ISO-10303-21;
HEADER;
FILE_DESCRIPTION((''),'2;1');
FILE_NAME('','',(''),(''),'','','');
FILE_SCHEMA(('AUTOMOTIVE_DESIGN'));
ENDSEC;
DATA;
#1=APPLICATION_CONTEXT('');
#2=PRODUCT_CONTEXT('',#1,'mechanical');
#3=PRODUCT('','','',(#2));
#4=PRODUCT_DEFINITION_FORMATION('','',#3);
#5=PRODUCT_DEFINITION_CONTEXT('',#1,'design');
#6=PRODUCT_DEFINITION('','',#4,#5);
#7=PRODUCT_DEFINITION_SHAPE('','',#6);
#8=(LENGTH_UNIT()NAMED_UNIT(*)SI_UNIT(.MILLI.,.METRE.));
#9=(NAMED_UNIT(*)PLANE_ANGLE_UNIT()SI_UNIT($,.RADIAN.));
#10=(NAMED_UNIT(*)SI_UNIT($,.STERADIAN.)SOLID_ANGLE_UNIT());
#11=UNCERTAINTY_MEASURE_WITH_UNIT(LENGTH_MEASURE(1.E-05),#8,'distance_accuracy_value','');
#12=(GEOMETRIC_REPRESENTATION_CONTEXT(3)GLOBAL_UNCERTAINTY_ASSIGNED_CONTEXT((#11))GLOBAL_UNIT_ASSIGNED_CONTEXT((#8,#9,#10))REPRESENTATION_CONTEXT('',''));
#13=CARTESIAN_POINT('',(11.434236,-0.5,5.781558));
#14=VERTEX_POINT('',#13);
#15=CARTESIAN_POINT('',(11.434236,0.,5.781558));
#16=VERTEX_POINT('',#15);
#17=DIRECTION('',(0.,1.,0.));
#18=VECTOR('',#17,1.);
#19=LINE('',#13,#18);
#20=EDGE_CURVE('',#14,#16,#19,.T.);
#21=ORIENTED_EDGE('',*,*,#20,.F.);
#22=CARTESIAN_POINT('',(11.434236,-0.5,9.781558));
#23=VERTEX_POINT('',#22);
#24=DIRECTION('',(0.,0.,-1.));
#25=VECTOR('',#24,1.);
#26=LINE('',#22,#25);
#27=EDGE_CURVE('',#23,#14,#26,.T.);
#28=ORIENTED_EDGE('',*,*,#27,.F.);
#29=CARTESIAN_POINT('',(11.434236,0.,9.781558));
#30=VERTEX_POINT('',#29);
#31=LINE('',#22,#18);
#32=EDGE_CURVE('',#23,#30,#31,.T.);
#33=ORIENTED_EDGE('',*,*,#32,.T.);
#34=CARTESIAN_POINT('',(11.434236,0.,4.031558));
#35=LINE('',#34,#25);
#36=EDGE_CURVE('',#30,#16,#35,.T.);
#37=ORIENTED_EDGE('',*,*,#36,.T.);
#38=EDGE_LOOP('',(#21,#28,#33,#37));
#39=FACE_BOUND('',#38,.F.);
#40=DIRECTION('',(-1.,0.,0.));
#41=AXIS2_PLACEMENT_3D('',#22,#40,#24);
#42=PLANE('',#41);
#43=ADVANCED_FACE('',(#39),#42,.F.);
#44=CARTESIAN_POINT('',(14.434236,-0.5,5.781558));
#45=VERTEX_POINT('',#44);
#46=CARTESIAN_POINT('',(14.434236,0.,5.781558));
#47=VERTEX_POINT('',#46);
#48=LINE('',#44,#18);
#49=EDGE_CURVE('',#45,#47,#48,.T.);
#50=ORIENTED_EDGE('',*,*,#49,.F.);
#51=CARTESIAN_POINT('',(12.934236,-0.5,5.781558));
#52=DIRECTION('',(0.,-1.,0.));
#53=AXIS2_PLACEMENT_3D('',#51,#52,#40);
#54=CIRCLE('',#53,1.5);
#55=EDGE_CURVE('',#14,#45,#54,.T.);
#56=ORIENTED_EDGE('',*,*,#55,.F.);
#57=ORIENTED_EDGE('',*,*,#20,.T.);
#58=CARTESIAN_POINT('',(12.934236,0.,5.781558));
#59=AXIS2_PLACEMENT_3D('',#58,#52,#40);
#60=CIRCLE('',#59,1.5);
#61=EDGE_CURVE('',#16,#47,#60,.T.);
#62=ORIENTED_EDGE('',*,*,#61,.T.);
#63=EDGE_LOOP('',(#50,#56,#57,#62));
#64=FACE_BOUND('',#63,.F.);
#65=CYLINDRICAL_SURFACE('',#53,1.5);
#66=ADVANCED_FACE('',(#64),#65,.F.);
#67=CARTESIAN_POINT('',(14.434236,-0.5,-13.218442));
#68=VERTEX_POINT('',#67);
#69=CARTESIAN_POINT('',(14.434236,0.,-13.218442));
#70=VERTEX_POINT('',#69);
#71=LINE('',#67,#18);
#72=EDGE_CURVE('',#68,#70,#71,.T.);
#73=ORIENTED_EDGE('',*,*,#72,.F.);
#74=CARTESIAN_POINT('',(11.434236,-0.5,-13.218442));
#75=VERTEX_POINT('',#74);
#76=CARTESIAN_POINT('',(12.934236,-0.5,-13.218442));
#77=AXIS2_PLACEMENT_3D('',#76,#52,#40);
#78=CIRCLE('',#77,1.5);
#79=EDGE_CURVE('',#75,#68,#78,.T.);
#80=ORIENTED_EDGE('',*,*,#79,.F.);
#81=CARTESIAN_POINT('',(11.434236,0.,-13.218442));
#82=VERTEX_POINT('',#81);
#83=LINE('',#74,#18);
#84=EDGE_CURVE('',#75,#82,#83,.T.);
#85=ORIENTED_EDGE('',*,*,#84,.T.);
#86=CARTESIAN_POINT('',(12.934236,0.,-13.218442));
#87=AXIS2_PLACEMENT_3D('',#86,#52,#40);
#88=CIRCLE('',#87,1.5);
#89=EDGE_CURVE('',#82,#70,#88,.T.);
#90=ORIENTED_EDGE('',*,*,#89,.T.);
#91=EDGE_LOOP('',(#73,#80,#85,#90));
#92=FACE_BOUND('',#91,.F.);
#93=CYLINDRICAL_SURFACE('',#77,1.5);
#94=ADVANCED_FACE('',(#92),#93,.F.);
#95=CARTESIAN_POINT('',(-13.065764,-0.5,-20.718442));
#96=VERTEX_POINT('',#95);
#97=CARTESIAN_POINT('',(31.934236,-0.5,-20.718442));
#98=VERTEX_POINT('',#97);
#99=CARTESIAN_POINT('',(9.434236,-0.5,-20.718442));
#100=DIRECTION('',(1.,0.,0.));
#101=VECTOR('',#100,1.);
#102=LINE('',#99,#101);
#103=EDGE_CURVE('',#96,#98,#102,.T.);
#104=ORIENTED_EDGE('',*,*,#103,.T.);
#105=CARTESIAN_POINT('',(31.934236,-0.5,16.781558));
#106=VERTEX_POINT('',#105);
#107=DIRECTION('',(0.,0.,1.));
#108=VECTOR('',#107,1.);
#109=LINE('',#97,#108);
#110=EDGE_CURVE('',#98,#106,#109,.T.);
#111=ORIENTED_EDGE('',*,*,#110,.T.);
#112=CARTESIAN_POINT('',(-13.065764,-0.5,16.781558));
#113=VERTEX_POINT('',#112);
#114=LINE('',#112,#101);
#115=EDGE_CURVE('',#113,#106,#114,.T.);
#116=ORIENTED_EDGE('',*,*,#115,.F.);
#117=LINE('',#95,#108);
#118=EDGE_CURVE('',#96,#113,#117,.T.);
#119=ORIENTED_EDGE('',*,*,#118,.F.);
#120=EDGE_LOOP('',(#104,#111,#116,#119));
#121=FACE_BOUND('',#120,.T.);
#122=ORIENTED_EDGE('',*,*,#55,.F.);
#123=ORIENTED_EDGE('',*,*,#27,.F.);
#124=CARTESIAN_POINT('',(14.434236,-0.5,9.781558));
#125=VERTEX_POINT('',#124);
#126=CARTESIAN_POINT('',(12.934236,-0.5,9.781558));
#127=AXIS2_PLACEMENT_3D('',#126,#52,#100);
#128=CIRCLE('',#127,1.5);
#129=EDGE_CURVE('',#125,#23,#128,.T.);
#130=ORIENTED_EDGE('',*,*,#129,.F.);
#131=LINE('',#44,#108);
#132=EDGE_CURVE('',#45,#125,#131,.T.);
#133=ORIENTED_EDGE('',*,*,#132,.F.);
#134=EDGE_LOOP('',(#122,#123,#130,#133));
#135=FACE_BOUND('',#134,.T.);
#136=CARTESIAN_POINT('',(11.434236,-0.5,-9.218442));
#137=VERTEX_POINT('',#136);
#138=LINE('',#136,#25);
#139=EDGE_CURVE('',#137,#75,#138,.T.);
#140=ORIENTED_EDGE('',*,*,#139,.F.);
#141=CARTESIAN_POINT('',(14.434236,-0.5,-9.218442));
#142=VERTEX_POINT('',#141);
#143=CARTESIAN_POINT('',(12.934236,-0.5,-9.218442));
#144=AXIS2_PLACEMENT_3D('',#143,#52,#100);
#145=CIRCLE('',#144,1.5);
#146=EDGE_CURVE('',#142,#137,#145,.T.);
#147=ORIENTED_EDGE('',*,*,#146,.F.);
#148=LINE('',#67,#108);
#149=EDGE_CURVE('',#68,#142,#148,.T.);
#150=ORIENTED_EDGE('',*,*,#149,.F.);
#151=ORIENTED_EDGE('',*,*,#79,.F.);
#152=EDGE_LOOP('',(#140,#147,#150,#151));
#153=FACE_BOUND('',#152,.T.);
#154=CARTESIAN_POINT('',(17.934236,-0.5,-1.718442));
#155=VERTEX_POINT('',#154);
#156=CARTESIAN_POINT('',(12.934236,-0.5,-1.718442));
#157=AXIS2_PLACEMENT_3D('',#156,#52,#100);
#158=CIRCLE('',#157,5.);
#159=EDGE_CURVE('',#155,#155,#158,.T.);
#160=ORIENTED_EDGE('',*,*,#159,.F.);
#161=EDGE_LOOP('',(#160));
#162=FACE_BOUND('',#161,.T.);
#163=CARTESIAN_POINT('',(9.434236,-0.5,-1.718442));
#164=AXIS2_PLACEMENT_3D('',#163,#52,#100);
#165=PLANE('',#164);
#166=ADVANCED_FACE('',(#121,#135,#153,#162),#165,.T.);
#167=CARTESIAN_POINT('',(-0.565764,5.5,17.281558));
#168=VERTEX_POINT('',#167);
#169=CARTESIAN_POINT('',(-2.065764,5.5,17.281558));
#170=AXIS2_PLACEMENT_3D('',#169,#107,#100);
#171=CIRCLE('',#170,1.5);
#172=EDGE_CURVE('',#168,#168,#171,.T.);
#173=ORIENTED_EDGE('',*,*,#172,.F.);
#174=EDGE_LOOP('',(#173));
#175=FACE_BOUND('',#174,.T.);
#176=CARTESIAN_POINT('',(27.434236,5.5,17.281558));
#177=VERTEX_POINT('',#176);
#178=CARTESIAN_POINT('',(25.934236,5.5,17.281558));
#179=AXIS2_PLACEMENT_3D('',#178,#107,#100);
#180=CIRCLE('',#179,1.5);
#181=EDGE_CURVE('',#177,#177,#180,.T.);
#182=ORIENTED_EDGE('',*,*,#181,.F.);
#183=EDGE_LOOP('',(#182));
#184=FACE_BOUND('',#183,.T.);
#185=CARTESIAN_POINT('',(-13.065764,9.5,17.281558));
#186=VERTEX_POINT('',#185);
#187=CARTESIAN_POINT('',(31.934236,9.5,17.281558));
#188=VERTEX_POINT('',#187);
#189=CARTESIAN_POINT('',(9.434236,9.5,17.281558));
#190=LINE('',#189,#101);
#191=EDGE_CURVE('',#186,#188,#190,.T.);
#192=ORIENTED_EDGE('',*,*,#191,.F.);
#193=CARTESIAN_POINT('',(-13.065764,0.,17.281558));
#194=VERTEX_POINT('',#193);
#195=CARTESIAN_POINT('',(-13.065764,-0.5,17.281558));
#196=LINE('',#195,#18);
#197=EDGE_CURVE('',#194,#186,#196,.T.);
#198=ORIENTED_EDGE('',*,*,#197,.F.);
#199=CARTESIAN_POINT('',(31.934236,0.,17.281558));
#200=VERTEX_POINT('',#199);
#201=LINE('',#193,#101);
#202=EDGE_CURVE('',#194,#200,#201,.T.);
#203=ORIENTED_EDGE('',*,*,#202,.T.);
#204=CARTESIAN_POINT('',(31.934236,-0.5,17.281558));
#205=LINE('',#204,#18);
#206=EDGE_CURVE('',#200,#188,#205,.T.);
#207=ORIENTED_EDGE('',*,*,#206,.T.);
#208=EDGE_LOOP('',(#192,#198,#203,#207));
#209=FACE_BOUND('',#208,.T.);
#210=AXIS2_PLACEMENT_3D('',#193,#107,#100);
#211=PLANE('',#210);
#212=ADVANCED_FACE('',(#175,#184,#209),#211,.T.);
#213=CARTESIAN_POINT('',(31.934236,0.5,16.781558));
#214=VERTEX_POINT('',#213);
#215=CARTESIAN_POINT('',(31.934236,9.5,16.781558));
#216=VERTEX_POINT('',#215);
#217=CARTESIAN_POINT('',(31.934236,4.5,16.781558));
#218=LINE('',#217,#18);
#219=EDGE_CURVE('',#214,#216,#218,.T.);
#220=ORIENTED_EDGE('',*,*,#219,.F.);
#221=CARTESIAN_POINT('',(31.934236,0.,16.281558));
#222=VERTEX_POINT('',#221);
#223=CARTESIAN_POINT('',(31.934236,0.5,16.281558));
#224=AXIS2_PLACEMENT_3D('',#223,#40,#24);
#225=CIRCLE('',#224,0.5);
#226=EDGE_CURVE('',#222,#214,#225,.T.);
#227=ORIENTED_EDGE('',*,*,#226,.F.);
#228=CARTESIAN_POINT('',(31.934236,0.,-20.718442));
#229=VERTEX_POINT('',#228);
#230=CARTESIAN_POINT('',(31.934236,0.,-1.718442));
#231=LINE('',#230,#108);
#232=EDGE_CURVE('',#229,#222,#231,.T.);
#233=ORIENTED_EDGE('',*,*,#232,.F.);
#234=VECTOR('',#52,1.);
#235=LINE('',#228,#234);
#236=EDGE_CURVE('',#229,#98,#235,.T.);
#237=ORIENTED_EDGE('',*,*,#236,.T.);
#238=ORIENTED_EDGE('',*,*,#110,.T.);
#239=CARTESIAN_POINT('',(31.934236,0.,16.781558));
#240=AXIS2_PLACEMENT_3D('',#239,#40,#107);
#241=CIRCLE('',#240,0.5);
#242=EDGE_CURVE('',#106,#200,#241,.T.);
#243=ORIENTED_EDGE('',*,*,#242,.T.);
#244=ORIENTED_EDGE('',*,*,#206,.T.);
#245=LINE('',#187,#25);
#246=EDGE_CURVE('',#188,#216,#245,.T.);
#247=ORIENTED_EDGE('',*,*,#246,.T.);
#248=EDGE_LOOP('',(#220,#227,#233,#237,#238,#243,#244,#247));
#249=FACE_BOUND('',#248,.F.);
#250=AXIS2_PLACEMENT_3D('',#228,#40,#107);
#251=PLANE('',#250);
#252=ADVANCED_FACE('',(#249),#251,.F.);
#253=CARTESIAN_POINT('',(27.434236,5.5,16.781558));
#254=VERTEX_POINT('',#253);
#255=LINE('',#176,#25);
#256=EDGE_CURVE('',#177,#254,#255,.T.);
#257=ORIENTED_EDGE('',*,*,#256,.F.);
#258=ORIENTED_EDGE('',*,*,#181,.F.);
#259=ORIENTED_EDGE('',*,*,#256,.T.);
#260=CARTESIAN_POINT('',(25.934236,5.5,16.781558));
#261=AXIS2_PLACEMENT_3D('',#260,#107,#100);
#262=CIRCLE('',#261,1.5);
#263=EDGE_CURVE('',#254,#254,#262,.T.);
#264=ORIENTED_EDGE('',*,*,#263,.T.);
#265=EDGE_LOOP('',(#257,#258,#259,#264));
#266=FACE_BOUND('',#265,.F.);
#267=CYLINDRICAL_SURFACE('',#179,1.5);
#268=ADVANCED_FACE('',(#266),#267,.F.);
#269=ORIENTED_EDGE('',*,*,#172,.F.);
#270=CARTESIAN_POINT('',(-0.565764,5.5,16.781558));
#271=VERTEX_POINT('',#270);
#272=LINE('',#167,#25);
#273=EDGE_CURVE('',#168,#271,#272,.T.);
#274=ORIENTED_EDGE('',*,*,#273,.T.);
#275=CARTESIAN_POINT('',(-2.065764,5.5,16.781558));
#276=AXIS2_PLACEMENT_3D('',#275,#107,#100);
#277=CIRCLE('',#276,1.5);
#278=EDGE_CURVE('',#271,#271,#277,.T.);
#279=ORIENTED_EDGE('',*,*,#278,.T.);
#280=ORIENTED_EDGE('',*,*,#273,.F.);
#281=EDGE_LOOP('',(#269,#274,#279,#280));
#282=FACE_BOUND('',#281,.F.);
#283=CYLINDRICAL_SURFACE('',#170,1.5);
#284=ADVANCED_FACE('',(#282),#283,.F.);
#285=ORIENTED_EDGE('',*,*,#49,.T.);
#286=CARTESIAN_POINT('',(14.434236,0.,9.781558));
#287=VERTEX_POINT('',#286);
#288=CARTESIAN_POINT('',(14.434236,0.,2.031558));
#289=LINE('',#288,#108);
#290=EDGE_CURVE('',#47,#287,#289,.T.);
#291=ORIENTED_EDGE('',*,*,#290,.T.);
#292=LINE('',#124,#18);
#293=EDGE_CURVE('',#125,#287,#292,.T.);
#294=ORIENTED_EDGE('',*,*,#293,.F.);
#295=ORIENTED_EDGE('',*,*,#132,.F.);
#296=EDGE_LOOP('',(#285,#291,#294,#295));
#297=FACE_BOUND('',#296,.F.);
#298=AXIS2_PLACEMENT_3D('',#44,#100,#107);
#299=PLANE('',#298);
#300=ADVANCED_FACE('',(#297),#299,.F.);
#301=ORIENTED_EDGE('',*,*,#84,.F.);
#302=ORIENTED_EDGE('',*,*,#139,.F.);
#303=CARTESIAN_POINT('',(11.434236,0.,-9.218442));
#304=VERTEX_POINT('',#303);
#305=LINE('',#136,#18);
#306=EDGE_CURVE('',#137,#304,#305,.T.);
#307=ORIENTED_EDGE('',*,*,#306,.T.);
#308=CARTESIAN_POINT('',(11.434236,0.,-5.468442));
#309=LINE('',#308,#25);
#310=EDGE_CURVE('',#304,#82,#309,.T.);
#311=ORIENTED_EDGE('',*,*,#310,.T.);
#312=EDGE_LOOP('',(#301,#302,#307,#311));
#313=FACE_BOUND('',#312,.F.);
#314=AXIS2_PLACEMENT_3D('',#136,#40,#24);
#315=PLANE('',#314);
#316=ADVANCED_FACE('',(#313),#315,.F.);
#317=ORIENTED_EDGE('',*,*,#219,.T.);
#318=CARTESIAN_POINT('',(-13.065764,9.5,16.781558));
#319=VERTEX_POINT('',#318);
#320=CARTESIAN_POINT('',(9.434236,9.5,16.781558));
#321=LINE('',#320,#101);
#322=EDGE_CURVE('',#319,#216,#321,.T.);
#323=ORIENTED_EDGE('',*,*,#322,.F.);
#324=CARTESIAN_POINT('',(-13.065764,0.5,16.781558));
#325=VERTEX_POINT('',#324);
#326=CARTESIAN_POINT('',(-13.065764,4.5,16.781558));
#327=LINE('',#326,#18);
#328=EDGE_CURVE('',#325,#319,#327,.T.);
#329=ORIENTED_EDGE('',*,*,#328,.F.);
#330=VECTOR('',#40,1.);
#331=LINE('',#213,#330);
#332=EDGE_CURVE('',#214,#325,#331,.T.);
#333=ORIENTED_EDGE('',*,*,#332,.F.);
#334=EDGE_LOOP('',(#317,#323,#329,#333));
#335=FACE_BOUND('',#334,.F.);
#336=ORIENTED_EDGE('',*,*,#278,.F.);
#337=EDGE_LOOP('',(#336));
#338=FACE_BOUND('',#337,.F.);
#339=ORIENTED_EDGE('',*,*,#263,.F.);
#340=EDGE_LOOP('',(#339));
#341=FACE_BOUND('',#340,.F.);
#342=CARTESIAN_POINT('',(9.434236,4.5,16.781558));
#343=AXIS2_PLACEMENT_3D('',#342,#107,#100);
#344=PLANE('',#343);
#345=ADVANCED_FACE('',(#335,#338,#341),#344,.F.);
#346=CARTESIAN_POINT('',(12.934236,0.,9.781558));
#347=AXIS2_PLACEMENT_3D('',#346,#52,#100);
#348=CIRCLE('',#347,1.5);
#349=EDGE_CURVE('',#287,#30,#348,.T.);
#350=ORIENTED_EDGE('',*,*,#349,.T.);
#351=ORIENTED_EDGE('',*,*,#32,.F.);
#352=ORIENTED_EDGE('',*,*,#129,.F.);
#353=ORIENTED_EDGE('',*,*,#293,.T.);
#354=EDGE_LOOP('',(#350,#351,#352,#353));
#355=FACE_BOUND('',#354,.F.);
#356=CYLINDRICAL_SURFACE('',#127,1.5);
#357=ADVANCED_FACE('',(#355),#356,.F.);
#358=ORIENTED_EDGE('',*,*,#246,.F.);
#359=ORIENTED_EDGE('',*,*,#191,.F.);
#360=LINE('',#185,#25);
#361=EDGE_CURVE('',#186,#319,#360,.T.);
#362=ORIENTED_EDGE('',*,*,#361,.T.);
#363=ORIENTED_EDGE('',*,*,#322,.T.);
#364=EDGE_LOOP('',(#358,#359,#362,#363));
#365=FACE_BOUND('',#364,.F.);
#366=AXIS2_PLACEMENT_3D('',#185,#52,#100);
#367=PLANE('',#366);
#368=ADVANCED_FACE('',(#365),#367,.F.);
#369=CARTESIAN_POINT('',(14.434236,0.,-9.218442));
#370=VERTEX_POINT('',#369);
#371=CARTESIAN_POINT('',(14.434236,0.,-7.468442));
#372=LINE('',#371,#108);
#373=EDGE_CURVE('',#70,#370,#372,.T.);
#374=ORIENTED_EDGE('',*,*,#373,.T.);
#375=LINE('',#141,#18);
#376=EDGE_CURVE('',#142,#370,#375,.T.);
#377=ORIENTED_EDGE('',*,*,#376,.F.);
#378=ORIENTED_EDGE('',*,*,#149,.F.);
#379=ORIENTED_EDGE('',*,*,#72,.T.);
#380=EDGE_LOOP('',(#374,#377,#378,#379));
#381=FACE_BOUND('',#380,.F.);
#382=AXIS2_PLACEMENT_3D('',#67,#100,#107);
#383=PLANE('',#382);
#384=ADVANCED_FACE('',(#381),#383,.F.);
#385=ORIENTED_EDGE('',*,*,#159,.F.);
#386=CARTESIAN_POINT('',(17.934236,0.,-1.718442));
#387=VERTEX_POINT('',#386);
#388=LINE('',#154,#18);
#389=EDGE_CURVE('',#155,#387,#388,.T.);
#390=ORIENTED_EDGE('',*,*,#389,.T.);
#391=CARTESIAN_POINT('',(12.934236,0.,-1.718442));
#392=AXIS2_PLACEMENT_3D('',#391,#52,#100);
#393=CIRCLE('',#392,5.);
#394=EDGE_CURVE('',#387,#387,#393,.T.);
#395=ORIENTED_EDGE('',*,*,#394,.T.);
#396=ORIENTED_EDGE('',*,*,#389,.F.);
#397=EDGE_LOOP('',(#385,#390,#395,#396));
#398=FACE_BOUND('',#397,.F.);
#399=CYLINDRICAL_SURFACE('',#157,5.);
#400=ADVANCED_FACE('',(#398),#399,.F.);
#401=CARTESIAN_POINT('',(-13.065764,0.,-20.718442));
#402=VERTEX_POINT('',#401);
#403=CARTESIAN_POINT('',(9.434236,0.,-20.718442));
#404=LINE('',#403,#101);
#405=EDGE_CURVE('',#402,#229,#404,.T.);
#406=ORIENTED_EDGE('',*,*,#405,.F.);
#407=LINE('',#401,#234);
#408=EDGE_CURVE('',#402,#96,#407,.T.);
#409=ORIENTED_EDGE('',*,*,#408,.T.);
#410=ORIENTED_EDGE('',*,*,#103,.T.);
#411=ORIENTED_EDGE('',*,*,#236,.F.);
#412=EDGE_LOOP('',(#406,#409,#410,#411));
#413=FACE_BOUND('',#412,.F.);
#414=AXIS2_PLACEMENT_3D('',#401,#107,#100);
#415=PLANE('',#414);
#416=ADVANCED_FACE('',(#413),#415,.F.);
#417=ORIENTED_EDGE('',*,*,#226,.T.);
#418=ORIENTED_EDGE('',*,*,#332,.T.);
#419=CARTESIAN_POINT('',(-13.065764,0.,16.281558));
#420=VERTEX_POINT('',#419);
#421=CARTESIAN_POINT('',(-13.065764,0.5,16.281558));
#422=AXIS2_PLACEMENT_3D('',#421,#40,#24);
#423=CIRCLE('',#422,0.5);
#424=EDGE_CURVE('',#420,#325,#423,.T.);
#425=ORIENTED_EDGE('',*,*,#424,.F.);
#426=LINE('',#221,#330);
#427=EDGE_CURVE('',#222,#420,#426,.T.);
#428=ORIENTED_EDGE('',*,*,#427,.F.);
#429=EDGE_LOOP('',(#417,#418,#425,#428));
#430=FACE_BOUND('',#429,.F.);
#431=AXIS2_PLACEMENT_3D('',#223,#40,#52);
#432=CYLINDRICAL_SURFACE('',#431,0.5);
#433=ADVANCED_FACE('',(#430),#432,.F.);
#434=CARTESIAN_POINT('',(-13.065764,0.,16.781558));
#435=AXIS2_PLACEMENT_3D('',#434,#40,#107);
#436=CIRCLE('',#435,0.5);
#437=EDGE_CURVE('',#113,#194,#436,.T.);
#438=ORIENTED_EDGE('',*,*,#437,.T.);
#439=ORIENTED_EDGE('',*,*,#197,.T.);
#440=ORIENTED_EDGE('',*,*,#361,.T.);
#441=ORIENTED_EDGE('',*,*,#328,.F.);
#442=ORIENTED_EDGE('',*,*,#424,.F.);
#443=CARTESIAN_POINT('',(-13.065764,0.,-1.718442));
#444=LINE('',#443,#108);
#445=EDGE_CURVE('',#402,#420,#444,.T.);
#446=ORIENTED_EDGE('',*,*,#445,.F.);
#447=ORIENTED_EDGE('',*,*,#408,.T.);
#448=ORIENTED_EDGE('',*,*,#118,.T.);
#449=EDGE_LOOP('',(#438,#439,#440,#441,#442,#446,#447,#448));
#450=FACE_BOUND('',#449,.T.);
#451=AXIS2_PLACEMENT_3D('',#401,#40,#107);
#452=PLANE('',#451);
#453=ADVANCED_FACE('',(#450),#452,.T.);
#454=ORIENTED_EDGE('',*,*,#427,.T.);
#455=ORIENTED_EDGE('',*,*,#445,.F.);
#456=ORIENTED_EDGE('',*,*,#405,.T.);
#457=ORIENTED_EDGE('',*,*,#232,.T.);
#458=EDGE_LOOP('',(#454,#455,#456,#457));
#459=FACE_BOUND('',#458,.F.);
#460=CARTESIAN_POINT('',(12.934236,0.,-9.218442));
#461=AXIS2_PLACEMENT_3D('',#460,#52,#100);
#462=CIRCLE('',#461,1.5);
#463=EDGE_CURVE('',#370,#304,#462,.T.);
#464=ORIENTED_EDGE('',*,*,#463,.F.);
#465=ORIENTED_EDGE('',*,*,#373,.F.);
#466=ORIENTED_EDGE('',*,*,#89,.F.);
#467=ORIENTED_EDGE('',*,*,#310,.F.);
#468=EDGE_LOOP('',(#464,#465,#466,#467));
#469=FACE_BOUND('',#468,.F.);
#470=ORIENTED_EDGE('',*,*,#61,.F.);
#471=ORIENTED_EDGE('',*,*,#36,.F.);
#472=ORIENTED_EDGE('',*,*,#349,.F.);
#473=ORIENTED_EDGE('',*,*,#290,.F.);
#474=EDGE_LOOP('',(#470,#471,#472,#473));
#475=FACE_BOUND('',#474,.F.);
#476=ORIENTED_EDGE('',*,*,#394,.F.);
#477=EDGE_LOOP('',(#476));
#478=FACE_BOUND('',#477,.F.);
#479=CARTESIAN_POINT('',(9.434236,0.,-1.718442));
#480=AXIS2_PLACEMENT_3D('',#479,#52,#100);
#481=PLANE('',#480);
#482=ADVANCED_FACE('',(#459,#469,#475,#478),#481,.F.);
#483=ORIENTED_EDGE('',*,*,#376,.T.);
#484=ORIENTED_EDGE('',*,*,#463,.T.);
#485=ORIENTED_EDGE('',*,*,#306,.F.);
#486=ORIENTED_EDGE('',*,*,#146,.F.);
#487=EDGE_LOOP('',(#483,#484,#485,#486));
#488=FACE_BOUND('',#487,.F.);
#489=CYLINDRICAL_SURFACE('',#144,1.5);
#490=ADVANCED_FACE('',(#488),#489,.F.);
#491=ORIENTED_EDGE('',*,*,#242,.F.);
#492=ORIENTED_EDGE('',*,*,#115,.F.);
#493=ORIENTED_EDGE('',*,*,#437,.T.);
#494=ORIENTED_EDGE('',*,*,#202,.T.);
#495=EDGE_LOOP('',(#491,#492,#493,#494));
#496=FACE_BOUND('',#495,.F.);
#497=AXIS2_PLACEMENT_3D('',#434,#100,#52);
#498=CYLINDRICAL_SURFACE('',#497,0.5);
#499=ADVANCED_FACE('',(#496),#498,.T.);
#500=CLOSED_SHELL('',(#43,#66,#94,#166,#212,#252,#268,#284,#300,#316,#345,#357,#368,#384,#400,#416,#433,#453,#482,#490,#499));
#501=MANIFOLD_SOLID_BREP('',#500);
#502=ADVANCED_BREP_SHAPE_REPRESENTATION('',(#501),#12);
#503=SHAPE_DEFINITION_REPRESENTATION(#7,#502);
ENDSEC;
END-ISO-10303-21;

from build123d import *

# Parameters (mm, degrees)
F0_W     = 45
F0_H     = 38
F1_DEPTH = 0.5
F2_W     = 45
F2_H     = 10
F2_R     = 1.5
F3_DEPTH = 0.5
F4_R     = 0.5
F5_R     = 5
F6_DEPTH = 25


with BuildPart() as f1:
    # F0 (on Front) → F1 (new body)
    with BuildSketch(Plane.XZ):
        with Locations((9.434236, -1.718442)):
            Rectangle(F0_W, F0_H)
    extrude(amount=F1_DEPTH)

    # F2 (on face) → F3 (join)
    with BuildSketch(Plane.XY.offset(17.281558)):
        with Locations((9.434236, 4.5)):
            Rectangle(F2_W, F2_H)
        with Locations((-2.065764, 5.5)):
            Circle(F2_R, mode=Mode.SUBTRACT)
        with Locations((25.934236, 5.5)):
            Circle(F2_R, mode=Mode.SUBTRACT)
    extrude(amount=-F3_DEPTH)

    # F4
    f4_edges = [f1.edges().sort_by_distance(p)[0] for p in [
        (9.434236, -0.5, 17.281558),
        (9.434236, 0, 16.781558),
    ]]
    fillet(f4_edges, radius=F4_R)

    # F5 (on face) → F6 (cut)
    with BuildSketch(Plane.XZ.offset(0.5)):
        with Locations((12.934236, -1.718442)):
            Circle(F5_R)
        with BuildLine():
            Line((14.434236, 5.781558), (14.434236, 9.781558))
            ThreePointArc((14.434236, 9.781558), (12.934236, 11.281558), (11.434236, 9.781558))
            Line((11.434236, 9.781558), (11.434236, 5.781558))
            ThreePointArc((11.434236, 5.781558), (12.934236, 4.281558), (14.434236, 5.781558))
        make_face()
        with BuildLine():
            Line((14.434236, -13.218442), (14.434236, -9.218442))
            ThreePointArc((14.434236, -9.218442), (12.934236, -7.718442), (11.434236, -9.218442))
            Line((11.434236, -9.218442), (11.434236, -13.218442))
            ThreePointArc((11.434236, -13.218442), (12.934236, -14.718442), (14.434236, -13.218442))
        make_face()
    extrude(amount=-F6_DEPTH, mode=Mode.SUBTRACT)


solid = f1.part
